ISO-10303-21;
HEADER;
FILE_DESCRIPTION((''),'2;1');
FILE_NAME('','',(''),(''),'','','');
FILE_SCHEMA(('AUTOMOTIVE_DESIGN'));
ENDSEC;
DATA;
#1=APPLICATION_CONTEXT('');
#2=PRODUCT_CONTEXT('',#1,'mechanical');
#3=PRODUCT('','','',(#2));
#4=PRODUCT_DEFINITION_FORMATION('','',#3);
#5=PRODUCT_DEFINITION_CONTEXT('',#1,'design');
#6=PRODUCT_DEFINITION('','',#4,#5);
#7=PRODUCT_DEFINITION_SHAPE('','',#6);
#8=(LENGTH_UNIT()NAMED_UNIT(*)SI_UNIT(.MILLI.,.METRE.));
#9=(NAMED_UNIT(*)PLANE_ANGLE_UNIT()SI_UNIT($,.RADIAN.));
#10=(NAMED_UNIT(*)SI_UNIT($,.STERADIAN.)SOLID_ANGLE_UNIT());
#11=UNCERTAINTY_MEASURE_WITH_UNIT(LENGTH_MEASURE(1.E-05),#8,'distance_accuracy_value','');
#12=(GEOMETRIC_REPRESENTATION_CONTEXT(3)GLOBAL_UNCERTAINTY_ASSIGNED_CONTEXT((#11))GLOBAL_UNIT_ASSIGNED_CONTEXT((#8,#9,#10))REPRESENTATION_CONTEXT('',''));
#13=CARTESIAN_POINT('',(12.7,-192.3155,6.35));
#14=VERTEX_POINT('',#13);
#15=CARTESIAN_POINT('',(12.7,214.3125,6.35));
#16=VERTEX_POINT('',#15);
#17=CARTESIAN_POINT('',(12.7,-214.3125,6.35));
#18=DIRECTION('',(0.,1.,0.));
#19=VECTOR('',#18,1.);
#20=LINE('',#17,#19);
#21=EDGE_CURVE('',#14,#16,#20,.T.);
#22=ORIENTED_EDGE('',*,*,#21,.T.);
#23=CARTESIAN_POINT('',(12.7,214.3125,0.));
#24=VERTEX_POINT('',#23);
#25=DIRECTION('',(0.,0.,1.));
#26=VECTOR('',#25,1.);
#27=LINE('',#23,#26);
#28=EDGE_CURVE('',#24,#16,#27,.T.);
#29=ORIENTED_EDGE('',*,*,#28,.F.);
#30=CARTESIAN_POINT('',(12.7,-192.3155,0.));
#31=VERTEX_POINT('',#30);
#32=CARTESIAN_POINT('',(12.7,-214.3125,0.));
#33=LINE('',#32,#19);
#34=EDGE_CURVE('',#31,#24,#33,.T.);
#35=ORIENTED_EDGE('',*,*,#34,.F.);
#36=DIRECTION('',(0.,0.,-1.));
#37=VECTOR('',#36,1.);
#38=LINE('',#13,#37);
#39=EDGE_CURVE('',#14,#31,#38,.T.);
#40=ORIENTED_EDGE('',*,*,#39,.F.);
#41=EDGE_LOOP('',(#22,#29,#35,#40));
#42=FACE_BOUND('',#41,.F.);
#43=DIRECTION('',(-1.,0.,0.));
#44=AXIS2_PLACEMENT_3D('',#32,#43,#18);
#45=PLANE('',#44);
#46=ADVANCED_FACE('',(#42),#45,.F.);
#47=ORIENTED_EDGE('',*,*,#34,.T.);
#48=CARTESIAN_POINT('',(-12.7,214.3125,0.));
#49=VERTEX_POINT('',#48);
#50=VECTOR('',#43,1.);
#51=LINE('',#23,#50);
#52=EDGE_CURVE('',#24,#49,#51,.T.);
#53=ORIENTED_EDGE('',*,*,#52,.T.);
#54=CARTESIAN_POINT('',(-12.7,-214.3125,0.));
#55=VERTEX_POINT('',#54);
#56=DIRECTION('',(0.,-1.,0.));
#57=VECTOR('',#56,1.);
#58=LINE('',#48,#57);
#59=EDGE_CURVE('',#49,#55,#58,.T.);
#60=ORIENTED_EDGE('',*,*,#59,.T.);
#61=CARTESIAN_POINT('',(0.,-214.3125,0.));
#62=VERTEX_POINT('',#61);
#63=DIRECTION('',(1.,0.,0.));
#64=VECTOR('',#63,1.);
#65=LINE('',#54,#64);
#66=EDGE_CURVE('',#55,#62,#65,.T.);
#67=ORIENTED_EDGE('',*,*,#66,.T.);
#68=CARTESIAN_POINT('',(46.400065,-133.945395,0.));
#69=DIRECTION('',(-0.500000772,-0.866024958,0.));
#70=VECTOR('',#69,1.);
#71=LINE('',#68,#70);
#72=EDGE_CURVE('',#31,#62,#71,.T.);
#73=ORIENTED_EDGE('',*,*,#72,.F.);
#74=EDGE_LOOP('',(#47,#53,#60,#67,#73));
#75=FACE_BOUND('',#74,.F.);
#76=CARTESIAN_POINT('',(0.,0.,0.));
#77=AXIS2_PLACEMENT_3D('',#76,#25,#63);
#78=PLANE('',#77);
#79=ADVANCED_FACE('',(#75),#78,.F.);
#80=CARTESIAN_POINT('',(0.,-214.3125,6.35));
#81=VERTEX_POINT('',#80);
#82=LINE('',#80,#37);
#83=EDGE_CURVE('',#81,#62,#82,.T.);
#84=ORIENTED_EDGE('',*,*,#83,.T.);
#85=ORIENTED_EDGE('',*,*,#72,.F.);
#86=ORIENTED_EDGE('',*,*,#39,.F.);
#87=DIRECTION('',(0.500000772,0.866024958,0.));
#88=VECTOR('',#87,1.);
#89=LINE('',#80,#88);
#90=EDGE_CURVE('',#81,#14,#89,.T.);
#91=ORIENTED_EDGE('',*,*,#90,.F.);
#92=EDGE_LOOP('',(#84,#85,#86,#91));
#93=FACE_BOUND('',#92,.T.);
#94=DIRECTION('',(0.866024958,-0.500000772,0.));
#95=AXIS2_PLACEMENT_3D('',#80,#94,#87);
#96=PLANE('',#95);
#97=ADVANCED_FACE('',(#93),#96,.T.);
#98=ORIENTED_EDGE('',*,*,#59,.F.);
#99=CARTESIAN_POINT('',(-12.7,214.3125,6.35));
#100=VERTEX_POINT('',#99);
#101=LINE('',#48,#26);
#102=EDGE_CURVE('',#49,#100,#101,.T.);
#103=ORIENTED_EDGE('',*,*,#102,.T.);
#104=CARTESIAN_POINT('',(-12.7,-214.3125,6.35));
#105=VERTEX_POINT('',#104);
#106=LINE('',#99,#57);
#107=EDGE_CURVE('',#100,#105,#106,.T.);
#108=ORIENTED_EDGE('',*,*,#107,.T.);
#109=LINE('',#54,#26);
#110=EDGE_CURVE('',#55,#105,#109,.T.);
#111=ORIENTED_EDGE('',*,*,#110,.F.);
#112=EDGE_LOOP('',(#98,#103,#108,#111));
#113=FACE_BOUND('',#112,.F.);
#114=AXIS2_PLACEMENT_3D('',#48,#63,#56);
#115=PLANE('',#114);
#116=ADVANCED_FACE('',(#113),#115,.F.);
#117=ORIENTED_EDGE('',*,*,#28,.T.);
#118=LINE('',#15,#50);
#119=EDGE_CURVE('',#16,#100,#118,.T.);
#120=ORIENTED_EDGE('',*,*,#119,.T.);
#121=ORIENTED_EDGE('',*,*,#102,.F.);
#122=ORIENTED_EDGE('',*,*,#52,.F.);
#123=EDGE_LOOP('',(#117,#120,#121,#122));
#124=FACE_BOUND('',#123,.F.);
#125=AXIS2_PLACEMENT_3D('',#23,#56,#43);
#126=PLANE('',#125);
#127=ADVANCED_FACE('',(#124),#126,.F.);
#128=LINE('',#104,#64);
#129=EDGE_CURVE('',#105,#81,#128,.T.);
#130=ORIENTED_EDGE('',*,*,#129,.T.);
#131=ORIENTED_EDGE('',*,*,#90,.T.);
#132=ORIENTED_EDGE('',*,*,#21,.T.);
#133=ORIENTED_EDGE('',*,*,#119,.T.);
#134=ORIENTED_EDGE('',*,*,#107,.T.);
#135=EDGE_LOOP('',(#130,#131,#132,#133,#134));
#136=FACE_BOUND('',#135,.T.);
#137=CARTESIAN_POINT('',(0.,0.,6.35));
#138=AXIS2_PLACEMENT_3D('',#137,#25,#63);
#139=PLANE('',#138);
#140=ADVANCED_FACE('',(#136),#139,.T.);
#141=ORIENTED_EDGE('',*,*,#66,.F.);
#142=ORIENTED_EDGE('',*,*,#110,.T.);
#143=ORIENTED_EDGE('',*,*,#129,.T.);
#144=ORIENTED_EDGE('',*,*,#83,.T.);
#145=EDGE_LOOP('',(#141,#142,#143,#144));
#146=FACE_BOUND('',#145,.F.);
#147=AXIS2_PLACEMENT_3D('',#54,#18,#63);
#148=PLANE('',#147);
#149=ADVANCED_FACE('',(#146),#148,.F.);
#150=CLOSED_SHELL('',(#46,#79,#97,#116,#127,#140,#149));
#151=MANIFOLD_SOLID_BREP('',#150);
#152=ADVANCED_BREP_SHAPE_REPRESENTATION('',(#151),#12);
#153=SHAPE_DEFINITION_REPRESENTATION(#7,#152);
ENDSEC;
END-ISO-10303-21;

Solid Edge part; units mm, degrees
sketch "Sketch1" plane through (0, 0, 0) normal (0, 0, 1) x (1, 0, 0)
  line L0 (-12.7, -214.3125) -> (12.7, -214.3125)
  line L1 (12.7, -214.3125) -> (12.7, 214.3125)
  line L2 (12.7, 214.3125) -> (-12.7, 214.3125)
  line L3 (-12.7, 214.3125) -> (-12.7, -214.3125)
  dimension "D1" = 428.625
  dimension "D2" = 25.4
extrude "Protrusion1" add sketch "Sketch1" along normal blind 6.35
sketch "Sketch2" plane through (0, 0, 6.35) normal (0, 0, 1) x (0, 1, 0)
  line L0 (-214.3125, 0) -> (-192.3155, -12.7)
  line L1 (-192.3155, -12.7) -> (-214.3125, -12.7)
  line L2 (-214.3125, -12.7) -> (-214.3125, 0)
  dimension "D1" = 25.4
extrude "Cutout1" cut sketch "Sketch2" against normal up to next
properties part number "SPaRC - 03 - 002"
